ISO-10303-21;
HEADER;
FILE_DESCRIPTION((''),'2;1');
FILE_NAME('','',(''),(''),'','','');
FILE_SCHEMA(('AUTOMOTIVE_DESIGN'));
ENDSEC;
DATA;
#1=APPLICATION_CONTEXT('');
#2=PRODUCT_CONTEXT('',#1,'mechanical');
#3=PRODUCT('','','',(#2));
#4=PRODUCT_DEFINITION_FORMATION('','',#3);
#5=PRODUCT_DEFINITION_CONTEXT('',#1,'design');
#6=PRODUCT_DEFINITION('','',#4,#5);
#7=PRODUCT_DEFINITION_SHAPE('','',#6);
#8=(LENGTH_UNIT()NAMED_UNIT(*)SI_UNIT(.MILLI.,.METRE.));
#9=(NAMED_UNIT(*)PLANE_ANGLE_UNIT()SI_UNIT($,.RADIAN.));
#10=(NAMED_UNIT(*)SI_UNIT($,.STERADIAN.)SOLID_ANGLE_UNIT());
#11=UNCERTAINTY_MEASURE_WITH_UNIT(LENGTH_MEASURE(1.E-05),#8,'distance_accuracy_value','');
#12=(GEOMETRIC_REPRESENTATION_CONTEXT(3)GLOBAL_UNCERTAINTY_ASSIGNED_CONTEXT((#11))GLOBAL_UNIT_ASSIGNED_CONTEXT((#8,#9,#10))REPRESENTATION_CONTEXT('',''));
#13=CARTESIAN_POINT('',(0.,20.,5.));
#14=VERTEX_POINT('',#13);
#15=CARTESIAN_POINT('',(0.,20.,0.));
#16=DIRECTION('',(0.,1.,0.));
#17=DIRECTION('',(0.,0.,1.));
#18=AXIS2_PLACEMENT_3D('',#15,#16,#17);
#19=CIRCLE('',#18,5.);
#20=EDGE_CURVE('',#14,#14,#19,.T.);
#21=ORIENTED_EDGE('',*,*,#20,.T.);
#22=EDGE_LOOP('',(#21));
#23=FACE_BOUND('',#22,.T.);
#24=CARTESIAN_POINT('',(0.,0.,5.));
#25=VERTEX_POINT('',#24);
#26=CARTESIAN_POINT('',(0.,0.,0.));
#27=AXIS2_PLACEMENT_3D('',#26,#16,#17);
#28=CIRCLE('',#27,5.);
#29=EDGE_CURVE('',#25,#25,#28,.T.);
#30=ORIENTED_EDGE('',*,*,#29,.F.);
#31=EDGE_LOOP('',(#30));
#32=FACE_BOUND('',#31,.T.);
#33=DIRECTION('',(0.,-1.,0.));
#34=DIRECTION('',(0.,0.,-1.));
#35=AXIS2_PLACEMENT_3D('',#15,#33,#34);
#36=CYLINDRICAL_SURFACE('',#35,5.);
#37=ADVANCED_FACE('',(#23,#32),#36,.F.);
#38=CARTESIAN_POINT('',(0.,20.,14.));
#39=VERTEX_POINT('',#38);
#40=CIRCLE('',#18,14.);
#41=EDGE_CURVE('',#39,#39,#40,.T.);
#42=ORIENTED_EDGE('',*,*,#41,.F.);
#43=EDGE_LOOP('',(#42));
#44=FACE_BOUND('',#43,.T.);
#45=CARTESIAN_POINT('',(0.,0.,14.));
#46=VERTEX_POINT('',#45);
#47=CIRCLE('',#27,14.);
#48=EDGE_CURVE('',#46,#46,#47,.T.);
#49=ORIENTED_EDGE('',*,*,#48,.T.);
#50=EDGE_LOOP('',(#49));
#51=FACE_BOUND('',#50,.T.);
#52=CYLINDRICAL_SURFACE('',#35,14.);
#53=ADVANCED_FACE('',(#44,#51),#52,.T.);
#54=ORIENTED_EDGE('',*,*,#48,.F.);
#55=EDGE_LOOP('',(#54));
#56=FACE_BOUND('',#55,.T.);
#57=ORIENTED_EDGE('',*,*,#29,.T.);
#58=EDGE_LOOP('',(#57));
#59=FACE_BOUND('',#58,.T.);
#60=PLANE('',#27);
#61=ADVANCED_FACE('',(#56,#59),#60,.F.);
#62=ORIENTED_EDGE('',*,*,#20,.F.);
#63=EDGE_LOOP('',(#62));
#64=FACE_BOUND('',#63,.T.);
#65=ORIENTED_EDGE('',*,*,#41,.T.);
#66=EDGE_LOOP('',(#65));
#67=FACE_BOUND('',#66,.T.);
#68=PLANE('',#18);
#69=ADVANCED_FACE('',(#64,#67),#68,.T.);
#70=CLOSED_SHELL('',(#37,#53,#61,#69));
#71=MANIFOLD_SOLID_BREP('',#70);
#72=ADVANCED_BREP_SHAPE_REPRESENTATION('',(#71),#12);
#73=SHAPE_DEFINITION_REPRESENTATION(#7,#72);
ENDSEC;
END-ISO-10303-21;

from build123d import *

# Parameters (mm, degrees)
ESQUISSE1_R        = 14
ESQUISSE1_R_2      = 5
BOSS_EXTRU_1_DEPTH = 20


with BuildPart() as part:
    # Esquisse1 → Boss.-Extru.1 (new body)
    with BuildSketch(Plane(origin=(0, 0, 0), x_dir=(1, 0, 0), z_dir=(0, 1, 0))):
        with Locations(Location((0, 0, 0), (0, 0, 270))):
            Circle(ESQUISSE1_R)
        with Locations(Location((0, 0, 0), (0, 0, 270))):
            Circle(ESQUISSE1_R_2, mode=Mode.SUBTRACT)
    extrude(amount=BOSS_EXTRU_1_DEPTH)


solid = part.part
